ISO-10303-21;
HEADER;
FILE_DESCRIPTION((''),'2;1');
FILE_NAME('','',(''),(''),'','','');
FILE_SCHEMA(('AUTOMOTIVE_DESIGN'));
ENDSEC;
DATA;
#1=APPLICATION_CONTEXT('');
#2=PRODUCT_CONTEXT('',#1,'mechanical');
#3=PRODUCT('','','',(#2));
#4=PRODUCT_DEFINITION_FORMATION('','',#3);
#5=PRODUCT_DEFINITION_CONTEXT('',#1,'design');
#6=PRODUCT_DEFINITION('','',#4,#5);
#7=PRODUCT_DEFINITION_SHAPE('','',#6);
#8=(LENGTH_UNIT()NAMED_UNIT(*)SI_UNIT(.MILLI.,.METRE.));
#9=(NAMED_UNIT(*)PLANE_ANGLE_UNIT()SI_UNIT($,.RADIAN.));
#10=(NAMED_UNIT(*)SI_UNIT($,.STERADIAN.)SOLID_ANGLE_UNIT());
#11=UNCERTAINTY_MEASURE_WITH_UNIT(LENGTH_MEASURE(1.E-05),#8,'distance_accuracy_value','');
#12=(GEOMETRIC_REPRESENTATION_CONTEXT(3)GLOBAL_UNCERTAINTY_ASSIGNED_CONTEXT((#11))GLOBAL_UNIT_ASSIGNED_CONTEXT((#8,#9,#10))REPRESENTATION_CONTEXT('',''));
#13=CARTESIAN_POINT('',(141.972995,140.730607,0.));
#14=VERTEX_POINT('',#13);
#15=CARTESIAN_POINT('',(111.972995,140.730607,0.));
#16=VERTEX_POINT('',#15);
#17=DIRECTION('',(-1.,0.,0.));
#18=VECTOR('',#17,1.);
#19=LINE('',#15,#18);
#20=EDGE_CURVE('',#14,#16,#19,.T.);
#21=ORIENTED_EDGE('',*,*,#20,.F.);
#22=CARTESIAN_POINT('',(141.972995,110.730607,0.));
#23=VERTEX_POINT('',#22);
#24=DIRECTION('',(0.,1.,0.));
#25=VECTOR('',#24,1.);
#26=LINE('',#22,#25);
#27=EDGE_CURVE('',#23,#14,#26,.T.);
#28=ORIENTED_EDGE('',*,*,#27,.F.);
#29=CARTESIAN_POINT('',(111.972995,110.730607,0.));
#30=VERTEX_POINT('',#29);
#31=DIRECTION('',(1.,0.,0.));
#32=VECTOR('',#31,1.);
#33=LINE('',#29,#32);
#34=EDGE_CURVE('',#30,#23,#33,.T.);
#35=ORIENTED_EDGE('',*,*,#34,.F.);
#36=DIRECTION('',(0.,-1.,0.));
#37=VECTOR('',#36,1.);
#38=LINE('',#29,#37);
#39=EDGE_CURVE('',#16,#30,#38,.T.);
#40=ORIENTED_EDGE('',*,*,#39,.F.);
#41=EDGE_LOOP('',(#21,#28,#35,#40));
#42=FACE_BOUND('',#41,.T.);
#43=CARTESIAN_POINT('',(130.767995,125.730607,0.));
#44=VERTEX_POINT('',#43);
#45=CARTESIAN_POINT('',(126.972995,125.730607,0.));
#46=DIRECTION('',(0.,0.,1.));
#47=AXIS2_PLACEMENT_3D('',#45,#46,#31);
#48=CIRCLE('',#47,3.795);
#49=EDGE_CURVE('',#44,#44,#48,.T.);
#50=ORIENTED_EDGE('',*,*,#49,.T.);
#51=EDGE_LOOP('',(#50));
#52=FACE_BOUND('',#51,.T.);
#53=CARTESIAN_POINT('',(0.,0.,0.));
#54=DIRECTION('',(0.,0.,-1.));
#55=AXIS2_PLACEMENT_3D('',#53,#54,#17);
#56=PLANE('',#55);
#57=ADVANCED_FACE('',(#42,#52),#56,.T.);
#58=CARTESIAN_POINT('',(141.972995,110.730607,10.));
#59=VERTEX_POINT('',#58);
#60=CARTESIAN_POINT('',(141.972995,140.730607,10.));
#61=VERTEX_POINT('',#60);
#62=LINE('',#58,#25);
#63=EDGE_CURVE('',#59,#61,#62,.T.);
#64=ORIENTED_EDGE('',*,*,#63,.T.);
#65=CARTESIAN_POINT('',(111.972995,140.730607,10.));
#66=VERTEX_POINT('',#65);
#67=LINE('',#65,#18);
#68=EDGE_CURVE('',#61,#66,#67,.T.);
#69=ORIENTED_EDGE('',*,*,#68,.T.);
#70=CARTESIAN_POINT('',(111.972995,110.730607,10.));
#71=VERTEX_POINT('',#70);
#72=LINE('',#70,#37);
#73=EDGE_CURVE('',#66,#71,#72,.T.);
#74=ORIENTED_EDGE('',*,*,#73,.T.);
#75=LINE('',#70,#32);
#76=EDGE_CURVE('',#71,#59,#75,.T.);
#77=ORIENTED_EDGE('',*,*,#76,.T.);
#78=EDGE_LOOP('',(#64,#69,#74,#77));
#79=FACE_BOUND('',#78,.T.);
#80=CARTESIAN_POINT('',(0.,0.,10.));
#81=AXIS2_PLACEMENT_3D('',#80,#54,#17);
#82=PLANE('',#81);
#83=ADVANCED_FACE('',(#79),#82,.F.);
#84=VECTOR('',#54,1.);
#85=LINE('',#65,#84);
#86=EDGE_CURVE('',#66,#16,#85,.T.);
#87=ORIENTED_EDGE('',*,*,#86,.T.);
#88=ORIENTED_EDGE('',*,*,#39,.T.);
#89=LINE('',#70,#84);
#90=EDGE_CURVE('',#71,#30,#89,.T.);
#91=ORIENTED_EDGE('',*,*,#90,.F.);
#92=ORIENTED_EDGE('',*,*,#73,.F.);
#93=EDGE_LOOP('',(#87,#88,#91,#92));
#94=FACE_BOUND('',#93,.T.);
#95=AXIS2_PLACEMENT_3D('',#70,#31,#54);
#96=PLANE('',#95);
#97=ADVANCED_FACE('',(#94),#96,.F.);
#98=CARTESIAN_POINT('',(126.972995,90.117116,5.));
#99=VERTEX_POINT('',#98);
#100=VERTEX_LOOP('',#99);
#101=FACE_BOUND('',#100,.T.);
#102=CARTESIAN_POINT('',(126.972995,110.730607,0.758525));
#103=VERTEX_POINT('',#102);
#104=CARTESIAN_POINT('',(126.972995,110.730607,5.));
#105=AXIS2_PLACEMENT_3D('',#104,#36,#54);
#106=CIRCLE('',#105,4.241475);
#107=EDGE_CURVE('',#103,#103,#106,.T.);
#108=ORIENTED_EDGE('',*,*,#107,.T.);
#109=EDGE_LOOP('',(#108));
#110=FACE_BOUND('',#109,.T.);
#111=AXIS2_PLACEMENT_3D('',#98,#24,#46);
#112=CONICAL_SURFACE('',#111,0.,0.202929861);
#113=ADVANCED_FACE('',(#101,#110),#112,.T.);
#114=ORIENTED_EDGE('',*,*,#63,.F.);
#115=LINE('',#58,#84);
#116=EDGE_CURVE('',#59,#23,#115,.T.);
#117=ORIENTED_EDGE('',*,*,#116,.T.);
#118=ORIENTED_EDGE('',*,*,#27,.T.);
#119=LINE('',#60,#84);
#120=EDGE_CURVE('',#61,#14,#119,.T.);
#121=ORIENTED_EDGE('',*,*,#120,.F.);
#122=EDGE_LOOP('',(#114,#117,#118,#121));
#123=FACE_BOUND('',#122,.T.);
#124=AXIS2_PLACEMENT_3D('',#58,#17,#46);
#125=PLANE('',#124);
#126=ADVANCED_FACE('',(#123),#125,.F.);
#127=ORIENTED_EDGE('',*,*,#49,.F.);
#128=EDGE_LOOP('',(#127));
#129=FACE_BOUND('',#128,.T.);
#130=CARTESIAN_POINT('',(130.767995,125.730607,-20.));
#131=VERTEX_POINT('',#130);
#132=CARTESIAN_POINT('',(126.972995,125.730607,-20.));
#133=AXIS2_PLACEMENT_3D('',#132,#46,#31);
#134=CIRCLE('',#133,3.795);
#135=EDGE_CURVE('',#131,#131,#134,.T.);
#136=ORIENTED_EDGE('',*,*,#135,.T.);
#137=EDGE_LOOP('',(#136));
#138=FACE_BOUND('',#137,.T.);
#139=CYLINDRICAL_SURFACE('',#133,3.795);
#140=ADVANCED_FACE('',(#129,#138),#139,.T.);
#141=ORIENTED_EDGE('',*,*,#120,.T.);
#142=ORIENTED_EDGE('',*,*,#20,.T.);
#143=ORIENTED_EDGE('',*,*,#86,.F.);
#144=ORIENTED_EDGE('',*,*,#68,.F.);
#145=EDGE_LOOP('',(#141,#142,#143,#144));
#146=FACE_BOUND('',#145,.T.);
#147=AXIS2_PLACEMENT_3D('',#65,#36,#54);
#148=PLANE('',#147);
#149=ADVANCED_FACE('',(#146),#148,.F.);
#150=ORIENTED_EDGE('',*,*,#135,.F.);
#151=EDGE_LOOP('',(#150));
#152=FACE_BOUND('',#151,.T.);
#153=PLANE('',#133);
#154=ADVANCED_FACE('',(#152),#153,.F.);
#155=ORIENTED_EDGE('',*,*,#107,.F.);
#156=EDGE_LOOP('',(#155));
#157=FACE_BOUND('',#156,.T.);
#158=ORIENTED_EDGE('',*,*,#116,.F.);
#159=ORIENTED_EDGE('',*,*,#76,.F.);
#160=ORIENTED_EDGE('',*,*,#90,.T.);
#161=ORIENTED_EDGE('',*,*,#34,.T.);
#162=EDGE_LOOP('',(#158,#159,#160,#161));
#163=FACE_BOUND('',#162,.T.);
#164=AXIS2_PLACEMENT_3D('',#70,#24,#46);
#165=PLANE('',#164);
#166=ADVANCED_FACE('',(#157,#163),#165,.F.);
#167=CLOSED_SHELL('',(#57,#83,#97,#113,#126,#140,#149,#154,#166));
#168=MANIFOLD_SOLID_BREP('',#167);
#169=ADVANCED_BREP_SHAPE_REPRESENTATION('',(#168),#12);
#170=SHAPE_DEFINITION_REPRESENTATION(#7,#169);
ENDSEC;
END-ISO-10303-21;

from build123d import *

# Parameters (mm, degrees)
SKETCH1_R           = 3.795
BOSS_EXTRUDE1_DEPTH = 20
SKETCH2_W           = 30
SKETCH2_H           = 30
BOSS_EXTRUDE2_DEPTH = 10


with BuildPart() as part:
    # Sketch1 → Boss-Extrude1 (new body)
    with BuildSketch(Plane.XY):
        with Locations((126.972995011, 125.730606971)):
            Circle(SKETCH1_R)
    extrude(amount=-BOSS_EXTRUDE1_DEPTH)

    # Sketch2 → Boss-Extrude2 (add)
    with BuildSketch(Plane.XY):
        with Locations((126.972995011, 125.730606971)):
            Rectangle(SKETCH2_W, SKETCH2_H)
    extrude(amount=BOSS_EXTRUDE2_DEPTH)

    # Sketch3 → Revolve1 (revolve)
    with BuildSketch(Plane(origin=(126.972995011, 0, 0), x_dir=(0, 0, -1), z_dir=(1, 0, 0))):
        Polygon((-0.758524561, 110.730606971), (-5, 90.117115807), (-5, 110.730606971), align=None)
    revolve(axis=Axis((126.972995011, 90.117115807, 5), (0, 1, 0)))


solid = part.part
